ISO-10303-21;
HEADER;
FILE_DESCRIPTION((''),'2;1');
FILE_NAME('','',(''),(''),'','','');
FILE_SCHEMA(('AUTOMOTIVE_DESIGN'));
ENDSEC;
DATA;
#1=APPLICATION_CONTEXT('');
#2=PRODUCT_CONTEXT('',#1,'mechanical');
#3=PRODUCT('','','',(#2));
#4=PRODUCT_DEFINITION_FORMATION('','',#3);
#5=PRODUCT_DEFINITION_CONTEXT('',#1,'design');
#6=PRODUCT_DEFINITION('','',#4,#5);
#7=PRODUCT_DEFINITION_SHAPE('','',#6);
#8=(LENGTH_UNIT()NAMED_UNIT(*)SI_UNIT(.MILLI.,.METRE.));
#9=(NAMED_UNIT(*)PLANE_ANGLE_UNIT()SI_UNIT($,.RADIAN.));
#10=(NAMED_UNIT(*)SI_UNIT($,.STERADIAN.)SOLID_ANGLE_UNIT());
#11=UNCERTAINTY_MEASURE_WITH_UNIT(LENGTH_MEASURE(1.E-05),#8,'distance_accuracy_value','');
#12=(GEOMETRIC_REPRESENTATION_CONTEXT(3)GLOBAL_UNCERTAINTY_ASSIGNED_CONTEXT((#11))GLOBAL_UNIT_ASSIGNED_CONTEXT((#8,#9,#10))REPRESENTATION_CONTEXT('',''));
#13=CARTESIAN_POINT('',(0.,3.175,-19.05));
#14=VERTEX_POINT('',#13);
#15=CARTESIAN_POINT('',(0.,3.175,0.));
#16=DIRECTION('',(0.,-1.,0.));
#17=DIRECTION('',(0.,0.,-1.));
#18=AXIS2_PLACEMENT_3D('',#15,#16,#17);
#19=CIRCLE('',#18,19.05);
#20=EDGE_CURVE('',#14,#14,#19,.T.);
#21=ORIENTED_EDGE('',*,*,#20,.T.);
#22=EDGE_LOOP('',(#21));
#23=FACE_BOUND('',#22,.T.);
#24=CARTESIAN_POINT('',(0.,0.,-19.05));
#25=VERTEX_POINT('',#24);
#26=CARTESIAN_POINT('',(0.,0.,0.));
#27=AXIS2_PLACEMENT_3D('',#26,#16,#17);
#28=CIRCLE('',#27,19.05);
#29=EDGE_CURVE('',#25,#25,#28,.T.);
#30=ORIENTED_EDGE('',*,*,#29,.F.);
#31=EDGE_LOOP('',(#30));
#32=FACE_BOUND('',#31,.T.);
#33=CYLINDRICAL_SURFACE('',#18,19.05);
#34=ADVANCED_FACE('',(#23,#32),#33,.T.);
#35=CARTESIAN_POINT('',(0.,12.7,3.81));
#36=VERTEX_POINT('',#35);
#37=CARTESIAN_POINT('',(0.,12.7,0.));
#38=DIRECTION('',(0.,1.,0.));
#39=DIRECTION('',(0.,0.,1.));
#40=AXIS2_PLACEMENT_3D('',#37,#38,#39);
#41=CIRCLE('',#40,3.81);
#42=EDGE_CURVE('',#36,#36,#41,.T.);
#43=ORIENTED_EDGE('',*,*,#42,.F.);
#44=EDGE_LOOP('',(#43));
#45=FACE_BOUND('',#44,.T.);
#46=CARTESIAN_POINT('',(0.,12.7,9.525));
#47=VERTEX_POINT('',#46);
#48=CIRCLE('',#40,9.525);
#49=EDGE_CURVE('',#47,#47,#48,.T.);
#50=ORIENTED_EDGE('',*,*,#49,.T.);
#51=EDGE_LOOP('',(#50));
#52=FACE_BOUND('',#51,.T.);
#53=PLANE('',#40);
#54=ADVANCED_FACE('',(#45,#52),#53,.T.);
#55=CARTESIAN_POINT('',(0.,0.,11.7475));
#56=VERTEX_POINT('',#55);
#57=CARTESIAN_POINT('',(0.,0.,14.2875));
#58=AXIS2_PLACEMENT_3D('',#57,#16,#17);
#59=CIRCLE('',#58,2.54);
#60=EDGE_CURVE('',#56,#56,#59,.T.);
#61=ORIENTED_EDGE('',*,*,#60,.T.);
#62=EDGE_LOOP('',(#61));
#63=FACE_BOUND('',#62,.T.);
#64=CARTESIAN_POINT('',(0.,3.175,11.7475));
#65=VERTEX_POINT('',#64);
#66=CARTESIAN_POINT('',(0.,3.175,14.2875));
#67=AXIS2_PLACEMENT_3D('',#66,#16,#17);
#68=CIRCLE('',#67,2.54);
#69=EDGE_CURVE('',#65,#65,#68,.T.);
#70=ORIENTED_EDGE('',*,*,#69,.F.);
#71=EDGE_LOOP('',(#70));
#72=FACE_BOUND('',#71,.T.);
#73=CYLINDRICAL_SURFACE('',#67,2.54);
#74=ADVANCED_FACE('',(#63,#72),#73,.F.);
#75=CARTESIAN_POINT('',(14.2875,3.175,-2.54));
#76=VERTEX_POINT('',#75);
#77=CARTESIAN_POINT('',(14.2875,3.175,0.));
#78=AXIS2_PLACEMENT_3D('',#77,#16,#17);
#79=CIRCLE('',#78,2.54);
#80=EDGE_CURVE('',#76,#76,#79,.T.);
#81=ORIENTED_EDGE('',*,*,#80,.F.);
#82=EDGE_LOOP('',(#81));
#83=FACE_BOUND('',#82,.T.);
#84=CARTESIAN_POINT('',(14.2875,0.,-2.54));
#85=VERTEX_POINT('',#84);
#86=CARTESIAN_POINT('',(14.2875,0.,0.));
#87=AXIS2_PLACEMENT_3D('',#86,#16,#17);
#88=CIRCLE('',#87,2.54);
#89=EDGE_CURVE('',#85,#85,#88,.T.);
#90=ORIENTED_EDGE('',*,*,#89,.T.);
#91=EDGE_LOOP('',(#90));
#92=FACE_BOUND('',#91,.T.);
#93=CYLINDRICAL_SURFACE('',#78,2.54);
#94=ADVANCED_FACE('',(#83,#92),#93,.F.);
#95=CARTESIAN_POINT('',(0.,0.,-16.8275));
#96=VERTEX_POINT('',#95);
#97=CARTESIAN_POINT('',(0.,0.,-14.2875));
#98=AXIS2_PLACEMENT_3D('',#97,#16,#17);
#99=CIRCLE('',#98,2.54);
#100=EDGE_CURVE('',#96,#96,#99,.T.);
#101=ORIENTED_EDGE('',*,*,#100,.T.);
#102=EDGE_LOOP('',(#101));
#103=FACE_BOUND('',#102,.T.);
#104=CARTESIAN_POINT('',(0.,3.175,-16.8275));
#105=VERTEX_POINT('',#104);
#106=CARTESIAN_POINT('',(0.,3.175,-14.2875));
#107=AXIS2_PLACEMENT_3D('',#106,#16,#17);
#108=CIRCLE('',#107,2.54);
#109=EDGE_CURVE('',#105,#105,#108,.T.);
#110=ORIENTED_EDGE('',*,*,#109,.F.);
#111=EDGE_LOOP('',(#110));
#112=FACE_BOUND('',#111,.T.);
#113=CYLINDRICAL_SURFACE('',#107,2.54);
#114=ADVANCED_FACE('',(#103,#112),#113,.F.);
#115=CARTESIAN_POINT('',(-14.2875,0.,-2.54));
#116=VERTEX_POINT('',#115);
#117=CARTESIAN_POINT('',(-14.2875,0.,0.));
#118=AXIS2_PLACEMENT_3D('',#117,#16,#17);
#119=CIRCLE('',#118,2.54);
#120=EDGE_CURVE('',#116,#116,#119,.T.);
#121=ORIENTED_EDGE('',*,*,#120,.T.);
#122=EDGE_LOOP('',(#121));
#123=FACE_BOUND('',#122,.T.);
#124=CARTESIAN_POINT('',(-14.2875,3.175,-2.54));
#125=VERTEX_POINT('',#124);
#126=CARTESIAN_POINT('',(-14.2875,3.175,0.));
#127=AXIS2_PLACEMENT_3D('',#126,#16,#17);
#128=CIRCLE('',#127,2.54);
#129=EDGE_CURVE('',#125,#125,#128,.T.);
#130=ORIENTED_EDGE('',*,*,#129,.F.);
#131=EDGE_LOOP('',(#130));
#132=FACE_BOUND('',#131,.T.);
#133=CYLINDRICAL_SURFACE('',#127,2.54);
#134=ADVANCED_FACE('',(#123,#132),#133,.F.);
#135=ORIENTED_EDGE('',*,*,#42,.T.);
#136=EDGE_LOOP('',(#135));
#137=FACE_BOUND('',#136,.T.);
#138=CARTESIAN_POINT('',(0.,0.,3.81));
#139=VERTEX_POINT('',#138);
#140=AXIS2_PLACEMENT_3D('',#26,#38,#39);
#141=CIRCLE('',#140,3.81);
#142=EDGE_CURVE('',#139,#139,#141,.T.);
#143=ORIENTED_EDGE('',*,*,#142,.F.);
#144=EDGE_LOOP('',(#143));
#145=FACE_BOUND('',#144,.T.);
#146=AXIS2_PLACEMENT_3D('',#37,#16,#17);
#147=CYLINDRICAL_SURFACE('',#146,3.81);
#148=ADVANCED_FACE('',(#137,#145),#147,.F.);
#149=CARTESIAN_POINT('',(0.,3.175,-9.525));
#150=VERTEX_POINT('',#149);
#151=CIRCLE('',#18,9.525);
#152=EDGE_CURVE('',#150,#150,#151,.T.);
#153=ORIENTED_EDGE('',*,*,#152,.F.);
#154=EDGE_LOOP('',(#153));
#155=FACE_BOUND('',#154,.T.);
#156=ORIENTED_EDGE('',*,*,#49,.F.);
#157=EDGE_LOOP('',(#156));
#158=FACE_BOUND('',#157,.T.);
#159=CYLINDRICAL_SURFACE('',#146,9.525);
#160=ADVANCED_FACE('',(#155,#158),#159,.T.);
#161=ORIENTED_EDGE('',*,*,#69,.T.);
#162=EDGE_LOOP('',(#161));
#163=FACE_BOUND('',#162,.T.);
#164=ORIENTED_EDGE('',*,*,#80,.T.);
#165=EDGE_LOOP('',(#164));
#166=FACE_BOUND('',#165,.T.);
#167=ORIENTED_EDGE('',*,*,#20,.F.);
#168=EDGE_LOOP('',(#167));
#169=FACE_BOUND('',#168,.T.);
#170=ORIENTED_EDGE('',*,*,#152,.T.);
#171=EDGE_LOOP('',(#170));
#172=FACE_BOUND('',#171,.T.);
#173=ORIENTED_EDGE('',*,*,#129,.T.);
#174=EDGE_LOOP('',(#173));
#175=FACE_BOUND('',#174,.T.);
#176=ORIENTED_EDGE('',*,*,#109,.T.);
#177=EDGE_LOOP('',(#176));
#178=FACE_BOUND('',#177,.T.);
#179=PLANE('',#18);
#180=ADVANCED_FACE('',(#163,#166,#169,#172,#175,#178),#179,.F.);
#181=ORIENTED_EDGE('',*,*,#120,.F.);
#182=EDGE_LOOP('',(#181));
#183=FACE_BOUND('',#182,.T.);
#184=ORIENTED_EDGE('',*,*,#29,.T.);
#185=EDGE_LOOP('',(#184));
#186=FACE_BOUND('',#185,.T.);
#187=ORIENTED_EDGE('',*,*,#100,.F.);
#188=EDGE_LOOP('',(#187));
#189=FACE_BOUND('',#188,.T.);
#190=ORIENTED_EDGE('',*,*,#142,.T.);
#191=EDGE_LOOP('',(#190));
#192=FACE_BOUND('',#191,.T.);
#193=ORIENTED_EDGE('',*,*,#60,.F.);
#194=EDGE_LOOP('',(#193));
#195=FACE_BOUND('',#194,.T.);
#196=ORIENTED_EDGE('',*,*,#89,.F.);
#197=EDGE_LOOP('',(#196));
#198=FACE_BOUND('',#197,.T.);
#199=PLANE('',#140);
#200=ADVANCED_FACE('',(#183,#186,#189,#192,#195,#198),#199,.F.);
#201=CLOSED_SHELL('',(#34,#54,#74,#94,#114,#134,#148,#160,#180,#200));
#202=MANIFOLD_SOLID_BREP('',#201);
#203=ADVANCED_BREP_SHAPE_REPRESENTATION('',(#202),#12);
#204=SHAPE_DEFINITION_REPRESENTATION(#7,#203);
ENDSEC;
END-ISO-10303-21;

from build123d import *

# Parameters (mm, degrees)
SKETCH1_R           = 9.525
SKETCH1_R_2         = 3.81
BOSS_EXTRUDE1_DEPTH = 12.7
SKETCH2_R           = 19.05
SKETCH2_R_2         = 2.54
SKETCH2_R_3         = 9.525
BOSS_EXTRUDE2_DEPTH = 3.175


with BuildPart() as part:
    # Sketch1 → Boss-Extrude1 (new body)
    with BuildSketch(Plane(origin=(0, 0, 0), x_dir=(1, 0, 0), z_dir=(0, 1, 0))):
        with Locations(Location((0, 0, 0), (0, 0, 270))):
            Circle(SKETCH1_R)
        with Locations(Location((0, 0, 0), (0, 0, 270))):
            Circle(SKETCH1_R_2, mode=Mode.SUBTRACT)
    extrude(amount=BOSS_EXTRUDE1_DEPTH)

    # Sketch2 → Boss-Extrude2 (add)
    with BuildSketch(Plane.XZ):
        with Locations(Location((0, 0, 0), (0, 0, 270))):
            Circle(SKETCH2_R)
        with Locations(Location((0, 14.2875, 0), (0, 0, 270))):
            Circle(SKETCH2_R_2, mode=Mode.SUBTRACT)
        with Locations(Location((0, 0, 0), (0, 0, 270))):
            Circle(SKETCH2_R_3, mode=Mode.SUBTRACT)
        with Locations(Location((14.2875, 0, 0), (0, 0, 270))):
            Circle(SKETCH2_R_2, mode=Mode.SUBTRACT)
        with Locations(Location((0, -14.2875, 0), (0, 0, 270))):
            Circle(SKETCH2_R_2, mode=Mode.SUBTRACT)
        with Locations(Location((-14.2875, 0, 0), (0, 0, 270))):
            Circle(SKETCH2_R_2, mode=Mode.SUBTRACT)
    extrude(amount=-BOSS_EXTRUDE2_DEPTH)


solid = part.part
